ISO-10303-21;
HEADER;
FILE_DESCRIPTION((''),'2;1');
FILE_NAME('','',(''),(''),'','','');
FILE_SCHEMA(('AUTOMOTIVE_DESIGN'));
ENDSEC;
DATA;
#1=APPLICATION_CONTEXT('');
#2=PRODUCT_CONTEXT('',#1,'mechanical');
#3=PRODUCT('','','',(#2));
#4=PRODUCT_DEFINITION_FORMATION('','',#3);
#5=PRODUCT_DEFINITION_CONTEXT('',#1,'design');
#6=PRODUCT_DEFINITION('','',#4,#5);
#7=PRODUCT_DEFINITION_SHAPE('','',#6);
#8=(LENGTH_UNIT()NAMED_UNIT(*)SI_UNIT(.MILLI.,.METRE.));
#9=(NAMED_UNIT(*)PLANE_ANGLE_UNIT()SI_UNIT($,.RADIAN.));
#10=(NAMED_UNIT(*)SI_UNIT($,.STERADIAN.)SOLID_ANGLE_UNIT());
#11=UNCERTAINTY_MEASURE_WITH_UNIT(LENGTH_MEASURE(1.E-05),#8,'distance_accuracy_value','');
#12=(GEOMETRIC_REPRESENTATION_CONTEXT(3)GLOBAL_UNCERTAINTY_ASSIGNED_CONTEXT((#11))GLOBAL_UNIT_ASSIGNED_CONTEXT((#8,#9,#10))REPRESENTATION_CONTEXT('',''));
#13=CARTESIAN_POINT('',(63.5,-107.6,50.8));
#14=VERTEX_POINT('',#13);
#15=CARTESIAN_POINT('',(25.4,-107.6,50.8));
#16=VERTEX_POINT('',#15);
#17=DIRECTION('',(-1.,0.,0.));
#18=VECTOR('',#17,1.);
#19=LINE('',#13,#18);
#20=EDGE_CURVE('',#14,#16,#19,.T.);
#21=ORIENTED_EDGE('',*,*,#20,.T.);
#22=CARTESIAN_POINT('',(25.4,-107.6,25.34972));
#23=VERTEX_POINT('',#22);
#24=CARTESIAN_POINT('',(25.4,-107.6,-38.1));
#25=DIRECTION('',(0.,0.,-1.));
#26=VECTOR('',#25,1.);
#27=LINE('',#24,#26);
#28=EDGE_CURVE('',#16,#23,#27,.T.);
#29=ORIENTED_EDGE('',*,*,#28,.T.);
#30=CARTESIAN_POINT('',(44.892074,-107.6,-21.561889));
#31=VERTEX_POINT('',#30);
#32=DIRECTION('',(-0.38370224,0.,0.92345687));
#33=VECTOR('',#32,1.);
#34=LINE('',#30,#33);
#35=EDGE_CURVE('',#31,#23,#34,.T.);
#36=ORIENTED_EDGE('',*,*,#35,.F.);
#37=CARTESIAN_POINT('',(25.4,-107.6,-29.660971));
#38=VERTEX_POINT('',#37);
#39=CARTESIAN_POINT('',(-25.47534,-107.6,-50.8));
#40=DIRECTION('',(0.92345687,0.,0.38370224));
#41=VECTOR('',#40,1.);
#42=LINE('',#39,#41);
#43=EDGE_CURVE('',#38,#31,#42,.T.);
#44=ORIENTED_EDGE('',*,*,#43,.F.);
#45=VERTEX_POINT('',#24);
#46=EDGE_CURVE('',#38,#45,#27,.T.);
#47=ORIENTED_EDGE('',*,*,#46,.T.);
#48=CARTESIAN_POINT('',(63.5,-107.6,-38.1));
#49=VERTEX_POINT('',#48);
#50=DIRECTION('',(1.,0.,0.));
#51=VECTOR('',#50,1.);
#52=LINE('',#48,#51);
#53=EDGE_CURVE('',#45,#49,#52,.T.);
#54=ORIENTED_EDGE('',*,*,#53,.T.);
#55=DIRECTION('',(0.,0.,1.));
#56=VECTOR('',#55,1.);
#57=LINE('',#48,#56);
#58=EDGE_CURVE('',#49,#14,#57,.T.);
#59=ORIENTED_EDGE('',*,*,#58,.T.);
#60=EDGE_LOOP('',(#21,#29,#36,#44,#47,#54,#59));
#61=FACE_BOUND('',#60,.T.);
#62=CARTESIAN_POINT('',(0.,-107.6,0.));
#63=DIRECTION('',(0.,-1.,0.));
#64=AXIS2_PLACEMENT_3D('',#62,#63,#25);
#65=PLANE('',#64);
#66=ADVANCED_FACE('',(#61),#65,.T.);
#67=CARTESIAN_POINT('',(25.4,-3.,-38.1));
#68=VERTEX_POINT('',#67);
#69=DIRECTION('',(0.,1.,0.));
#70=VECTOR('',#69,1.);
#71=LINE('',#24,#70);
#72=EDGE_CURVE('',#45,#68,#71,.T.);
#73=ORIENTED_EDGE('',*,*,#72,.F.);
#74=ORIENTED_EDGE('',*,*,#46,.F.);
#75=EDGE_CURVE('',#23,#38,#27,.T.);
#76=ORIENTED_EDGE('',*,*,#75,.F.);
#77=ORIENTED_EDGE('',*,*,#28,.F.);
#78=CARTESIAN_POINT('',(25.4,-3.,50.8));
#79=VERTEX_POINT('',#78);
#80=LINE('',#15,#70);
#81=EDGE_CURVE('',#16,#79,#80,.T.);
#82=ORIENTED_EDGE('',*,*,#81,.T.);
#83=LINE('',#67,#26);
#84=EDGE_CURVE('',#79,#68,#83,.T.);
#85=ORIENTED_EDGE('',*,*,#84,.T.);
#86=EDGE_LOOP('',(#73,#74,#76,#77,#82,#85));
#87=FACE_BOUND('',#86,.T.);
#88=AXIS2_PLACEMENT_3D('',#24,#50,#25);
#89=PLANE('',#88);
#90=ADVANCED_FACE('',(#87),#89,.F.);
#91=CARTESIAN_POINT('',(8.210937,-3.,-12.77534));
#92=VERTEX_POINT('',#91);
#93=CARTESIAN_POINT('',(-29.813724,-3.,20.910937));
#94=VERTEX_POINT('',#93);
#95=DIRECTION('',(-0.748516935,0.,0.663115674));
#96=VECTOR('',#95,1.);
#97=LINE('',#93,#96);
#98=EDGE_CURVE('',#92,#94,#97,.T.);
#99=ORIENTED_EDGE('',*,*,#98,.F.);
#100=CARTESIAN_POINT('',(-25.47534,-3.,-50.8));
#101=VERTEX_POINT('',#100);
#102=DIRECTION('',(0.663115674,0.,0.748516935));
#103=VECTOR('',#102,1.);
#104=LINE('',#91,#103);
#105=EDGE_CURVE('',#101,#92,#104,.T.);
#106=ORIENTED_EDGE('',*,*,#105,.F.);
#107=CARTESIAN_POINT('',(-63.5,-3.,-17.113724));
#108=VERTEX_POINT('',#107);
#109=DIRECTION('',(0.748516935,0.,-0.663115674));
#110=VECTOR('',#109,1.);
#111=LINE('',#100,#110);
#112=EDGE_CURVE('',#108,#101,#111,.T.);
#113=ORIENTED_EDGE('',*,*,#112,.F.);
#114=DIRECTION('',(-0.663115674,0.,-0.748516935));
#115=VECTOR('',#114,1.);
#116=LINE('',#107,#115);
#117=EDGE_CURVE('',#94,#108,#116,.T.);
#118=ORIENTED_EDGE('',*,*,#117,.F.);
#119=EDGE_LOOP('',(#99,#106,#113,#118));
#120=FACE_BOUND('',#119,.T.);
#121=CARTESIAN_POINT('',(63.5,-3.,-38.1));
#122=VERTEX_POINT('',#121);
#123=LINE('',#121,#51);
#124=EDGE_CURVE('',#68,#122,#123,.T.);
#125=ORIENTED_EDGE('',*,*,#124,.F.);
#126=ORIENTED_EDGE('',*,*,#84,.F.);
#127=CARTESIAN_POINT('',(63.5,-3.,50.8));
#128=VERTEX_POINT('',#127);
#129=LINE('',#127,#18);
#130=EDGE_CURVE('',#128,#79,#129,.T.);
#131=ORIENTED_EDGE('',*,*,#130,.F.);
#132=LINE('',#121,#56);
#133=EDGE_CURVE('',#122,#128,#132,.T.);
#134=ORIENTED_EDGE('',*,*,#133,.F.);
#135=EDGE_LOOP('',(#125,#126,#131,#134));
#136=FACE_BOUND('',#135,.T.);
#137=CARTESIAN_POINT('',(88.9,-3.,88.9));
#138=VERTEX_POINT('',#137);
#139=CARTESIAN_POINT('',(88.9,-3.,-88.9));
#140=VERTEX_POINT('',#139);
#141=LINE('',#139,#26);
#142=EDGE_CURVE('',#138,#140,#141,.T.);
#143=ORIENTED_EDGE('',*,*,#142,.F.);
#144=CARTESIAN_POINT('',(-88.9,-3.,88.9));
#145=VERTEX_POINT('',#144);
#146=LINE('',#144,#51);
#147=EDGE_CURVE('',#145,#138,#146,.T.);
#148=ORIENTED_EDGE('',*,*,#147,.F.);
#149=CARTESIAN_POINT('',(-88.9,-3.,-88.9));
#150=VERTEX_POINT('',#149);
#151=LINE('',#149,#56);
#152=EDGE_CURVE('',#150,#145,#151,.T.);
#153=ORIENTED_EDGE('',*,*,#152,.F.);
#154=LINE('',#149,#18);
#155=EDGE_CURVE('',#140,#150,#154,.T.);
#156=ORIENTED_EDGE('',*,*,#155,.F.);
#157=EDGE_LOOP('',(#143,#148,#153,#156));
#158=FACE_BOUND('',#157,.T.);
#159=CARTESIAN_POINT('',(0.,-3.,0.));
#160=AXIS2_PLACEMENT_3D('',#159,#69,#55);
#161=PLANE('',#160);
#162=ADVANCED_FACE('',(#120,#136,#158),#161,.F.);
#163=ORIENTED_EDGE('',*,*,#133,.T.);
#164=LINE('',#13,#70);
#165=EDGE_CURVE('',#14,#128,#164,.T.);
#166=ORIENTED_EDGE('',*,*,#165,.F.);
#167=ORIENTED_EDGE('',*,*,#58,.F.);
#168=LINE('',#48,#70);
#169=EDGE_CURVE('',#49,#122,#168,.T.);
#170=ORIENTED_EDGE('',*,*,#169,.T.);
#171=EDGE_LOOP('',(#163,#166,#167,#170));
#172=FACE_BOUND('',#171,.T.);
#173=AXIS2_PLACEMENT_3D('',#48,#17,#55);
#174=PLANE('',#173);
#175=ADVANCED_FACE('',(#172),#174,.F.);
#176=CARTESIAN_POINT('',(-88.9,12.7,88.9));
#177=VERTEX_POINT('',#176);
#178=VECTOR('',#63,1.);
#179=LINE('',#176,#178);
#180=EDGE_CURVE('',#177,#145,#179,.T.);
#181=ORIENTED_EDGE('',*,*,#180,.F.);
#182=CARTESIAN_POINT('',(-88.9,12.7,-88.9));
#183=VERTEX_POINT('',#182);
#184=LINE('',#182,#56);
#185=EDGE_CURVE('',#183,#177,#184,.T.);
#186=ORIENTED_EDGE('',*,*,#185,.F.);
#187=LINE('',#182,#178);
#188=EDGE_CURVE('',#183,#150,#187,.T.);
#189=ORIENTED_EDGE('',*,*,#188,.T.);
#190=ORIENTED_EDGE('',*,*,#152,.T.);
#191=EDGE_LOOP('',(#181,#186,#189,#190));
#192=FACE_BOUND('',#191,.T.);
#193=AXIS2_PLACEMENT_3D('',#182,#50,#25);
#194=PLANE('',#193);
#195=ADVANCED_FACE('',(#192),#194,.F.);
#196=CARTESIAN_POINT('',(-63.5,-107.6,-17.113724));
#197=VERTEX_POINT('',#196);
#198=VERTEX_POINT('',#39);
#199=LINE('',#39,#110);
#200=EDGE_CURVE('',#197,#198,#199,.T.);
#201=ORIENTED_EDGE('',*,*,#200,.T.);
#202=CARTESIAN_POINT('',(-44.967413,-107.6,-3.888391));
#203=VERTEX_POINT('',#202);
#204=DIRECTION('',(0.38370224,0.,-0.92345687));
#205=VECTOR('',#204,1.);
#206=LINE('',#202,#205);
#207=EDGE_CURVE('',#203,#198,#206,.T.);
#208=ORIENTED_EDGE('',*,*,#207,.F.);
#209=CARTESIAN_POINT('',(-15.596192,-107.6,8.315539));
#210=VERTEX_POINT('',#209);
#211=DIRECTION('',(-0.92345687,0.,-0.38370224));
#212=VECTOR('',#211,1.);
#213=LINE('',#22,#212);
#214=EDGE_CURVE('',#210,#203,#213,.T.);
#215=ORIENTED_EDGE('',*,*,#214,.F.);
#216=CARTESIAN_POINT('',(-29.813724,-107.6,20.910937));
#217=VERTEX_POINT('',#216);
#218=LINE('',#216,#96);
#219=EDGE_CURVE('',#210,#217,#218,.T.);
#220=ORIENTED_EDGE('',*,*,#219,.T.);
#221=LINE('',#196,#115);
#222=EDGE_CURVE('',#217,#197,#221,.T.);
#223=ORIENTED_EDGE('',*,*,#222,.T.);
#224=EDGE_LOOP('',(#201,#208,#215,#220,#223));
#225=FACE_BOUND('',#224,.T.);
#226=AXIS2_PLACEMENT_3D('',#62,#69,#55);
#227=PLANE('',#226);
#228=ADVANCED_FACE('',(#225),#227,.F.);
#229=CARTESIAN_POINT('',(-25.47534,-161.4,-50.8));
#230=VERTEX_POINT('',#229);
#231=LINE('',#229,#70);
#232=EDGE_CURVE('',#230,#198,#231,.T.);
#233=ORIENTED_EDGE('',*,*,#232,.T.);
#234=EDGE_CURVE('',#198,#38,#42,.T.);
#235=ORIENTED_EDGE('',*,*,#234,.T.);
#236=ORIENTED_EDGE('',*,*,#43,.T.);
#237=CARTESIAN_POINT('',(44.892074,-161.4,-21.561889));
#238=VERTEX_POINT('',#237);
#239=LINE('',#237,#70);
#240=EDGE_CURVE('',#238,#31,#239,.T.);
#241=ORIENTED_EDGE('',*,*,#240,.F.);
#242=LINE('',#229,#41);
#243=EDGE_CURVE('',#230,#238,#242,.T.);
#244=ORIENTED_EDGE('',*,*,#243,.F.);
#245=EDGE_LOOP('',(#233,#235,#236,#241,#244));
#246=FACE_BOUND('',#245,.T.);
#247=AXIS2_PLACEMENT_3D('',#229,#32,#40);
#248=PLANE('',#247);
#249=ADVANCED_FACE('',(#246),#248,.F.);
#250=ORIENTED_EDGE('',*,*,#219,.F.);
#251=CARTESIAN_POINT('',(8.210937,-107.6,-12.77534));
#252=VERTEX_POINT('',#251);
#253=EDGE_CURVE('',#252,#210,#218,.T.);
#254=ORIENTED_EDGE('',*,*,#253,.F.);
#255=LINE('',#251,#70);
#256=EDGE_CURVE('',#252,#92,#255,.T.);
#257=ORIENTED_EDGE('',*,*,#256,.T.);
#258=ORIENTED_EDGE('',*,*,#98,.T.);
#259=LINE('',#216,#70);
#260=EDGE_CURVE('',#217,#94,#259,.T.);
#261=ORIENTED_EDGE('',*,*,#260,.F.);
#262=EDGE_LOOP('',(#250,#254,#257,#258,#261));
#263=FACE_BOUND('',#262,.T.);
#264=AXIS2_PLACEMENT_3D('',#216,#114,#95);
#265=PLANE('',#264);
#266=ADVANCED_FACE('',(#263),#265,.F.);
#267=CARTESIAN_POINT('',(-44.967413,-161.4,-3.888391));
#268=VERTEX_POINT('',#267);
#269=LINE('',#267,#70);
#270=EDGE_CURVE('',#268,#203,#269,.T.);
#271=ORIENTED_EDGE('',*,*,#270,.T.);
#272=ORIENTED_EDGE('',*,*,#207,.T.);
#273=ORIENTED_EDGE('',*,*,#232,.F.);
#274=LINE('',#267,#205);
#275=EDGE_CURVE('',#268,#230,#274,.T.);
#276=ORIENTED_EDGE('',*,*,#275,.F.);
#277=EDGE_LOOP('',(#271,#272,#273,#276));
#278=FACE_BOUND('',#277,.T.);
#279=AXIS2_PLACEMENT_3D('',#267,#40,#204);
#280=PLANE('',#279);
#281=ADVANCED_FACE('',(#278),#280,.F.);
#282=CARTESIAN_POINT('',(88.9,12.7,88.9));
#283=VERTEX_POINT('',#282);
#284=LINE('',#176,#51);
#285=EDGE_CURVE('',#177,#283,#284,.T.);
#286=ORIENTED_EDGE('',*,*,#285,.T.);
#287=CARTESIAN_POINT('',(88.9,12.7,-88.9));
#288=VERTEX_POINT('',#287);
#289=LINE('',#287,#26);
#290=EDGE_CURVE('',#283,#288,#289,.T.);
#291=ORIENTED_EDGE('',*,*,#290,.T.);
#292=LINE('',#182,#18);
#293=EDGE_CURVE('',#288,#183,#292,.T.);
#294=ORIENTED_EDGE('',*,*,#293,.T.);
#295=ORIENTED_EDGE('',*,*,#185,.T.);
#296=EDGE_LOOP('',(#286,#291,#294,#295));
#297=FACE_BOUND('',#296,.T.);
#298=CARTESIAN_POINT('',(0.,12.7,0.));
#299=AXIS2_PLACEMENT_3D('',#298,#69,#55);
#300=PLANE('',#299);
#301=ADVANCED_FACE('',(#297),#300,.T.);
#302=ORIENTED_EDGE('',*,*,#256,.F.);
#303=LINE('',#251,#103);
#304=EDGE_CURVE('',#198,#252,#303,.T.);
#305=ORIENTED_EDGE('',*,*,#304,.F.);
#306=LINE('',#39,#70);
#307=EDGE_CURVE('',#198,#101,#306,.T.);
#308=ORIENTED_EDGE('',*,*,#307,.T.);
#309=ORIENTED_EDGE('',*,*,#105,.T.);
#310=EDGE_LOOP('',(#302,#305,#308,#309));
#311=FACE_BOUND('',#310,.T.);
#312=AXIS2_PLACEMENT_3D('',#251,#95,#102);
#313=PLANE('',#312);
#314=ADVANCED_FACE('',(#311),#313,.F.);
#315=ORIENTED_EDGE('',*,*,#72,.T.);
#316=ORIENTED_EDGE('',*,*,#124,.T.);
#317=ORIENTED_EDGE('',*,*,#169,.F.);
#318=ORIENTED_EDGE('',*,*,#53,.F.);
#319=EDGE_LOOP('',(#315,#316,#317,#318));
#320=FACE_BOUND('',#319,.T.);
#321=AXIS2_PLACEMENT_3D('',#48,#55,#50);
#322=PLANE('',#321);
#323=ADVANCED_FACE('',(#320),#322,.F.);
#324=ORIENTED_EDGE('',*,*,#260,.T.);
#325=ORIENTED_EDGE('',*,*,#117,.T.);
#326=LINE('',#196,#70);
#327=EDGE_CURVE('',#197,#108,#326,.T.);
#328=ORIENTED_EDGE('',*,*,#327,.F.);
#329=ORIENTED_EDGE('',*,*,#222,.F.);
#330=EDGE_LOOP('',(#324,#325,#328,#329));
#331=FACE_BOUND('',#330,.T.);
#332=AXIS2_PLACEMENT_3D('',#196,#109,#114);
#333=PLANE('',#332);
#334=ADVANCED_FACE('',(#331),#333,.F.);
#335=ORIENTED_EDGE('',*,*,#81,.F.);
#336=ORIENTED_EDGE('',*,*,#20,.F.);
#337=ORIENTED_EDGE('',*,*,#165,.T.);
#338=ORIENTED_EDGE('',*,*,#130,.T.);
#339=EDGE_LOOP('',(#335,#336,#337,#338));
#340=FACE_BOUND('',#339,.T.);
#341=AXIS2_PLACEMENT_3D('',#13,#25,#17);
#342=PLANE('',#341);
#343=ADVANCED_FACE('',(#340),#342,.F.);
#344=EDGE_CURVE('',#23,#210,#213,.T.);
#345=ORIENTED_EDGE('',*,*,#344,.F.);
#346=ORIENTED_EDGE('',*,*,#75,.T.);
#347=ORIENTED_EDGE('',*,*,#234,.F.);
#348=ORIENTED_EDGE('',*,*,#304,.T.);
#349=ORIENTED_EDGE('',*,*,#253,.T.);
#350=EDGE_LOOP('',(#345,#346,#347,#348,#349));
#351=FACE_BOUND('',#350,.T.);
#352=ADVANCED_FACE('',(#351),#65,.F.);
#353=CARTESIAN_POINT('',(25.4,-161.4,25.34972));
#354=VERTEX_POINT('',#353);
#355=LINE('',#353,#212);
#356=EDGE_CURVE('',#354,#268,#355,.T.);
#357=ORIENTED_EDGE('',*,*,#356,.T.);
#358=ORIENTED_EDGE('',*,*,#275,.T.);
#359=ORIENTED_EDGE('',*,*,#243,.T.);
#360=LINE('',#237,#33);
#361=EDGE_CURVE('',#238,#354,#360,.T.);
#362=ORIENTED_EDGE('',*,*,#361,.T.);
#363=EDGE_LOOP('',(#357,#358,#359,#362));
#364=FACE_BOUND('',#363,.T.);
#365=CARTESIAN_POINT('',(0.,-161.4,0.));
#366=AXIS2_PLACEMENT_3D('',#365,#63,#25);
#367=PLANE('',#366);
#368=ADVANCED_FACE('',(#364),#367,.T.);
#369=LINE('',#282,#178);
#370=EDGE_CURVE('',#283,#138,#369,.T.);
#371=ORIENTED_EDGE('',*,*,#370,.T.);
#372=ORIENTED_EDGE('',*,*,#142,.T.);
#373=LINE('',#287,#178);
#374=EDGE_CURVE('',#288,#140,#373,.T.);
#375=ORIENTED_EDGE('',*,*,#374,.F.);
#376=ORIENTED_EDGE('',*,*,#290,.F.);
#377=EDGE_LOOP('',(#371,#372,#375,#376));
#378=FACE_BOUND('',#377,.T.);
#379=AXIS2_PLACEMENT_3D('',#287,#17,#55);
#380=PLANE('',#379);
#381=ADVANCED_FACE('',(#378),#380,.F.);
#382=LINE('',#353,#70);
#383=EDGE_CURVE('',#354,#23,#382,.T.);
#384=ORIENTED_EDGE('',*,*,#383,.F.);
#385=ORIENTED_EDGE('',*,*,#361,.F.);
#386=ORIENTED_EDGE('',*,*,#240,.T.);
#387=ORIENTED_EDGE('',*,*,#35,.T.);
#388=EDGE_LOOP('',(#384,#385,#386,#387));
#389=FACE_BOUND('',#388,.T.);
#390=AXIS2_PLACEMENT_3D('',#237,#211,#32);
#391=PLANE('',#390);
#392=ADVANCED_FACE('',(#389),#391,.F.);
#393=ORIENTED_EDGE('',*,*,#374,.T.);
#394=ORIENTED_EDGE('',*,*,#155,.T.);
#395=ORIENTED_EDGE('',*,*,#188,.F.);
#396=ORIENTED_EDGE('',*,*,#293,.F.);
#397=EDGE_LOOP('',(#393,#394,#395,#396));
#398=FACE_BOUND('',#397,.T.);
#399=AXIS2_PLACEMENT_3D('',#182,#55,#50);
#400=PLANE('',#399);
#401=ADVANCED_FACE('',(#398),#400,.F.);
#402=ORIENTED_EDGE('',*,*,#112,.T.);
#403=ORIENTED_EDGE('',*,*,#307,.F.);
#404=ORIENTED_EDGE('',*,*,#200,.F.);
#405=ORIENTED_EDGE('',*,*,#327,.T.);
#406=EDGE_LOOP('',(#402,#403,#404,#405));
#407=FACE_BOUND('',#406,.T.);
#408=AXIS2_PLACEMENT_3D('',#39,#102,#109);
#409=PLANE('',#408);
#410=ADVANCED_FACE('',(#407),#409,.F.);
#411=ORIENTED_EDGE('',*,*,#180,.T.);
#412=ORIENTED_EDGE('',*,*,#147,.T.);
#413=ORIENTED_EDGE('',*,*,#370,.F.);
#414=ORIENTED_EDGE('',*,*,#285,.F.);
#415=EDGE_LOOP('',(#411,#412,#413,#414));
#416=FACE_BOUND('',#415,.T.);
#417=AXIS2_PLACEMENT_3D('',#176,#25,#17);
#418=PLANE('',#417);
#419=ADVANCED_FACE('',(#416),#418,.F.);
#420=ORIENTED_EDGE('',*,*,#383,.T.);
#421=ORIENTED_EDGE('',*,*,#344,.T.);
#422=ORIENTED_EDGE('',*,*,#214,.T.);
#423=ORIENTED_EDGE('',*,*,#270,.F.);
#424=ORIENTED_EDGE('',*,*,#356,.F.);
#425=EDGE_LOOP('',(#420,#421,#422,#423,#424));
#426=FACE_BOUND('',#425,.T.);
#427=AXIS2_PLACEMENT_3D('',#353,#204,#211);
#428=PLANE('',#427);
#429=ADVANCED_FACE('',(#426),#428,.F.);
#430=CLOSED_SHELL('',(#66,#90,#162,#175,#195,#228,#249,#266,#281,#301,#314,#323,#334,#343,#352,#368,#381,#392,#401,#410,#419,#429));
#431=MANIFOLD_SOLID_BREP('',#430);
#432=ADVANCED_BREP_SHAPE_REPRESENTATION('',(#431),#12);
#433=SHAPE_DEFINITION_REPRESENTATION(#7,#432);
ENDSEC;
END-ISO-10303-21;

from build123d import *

# Parameters (mm, degrees)
SKETCH2_W           = 177.8
SKETCH2_H           = 177.8
BOSS_EXTRUDE2_DEPTH = 12.7
SKETCH2_2_W         = 177.8
SKETCH2_2_H         = 177.8
BOSS_EXTRUDE3_DEPTH = 3
SKETCH3_W           = 38.1
SKETCH3_H           = 88.9
BOSS_EXTRUDE4_DEPTH = 104.6
BOSS_EXTRUDE5_DEPTH = 53.8


with BuildPart() as part:
    # Sketch2 → Boss-Extrude2 (new body)
    with BuildSketch(Plane(origin=(0, 0, 0), x_dir=(1, 0, 0), z_dir=(0, 1, 0))):
        Rectangle(SKETCH2_W, SKETCH2_H)
    extrude(amount=BOSS_EXTRUDE2_DEPTH)

    # Sketch2<2> → Boss-Extrude3 (add)
    with BuildSketch(Plane(origin=(0, 0, 0), x_dir=(1, 0, 0), z_dir=(0, 1, 0))):
        Rectangle(SKETCH2_2_W, SKETCH2_2_H)
    extrude(amount=-BOSS_EXTRUDE3_DEPTH)

    # Sketch3 → Boss-Extrude4 (add)
    with BuildSketch(Plane.XZ.offset(3)):
        Polygon((-25.475339684, -50.8), (-63.5, -17.113723747), (-29.813723747, 20.91093657), (8.21093657, -12.775339684), align=None)
        with Locations((44.45, 6.35)):
            Rectangle(SKETCH3_W, SKETCH3_H)
    extrude(amount=BOSS_EXTRUDE4_DEPTH)

    # Sketch4 → Boss-Extrude5 (add)
    with BuildSketch(Plane.XZ.offset(107.6)):
        Polygon((-25.475339684, -50.8), (44.89207381, -21.561889285), (25.4, 25.349719711), (-44.967413494, -3.888391004), align=None)
    extrude(amount=BOSS_EXTRUDE5_DEPTH)


solid = part.part
